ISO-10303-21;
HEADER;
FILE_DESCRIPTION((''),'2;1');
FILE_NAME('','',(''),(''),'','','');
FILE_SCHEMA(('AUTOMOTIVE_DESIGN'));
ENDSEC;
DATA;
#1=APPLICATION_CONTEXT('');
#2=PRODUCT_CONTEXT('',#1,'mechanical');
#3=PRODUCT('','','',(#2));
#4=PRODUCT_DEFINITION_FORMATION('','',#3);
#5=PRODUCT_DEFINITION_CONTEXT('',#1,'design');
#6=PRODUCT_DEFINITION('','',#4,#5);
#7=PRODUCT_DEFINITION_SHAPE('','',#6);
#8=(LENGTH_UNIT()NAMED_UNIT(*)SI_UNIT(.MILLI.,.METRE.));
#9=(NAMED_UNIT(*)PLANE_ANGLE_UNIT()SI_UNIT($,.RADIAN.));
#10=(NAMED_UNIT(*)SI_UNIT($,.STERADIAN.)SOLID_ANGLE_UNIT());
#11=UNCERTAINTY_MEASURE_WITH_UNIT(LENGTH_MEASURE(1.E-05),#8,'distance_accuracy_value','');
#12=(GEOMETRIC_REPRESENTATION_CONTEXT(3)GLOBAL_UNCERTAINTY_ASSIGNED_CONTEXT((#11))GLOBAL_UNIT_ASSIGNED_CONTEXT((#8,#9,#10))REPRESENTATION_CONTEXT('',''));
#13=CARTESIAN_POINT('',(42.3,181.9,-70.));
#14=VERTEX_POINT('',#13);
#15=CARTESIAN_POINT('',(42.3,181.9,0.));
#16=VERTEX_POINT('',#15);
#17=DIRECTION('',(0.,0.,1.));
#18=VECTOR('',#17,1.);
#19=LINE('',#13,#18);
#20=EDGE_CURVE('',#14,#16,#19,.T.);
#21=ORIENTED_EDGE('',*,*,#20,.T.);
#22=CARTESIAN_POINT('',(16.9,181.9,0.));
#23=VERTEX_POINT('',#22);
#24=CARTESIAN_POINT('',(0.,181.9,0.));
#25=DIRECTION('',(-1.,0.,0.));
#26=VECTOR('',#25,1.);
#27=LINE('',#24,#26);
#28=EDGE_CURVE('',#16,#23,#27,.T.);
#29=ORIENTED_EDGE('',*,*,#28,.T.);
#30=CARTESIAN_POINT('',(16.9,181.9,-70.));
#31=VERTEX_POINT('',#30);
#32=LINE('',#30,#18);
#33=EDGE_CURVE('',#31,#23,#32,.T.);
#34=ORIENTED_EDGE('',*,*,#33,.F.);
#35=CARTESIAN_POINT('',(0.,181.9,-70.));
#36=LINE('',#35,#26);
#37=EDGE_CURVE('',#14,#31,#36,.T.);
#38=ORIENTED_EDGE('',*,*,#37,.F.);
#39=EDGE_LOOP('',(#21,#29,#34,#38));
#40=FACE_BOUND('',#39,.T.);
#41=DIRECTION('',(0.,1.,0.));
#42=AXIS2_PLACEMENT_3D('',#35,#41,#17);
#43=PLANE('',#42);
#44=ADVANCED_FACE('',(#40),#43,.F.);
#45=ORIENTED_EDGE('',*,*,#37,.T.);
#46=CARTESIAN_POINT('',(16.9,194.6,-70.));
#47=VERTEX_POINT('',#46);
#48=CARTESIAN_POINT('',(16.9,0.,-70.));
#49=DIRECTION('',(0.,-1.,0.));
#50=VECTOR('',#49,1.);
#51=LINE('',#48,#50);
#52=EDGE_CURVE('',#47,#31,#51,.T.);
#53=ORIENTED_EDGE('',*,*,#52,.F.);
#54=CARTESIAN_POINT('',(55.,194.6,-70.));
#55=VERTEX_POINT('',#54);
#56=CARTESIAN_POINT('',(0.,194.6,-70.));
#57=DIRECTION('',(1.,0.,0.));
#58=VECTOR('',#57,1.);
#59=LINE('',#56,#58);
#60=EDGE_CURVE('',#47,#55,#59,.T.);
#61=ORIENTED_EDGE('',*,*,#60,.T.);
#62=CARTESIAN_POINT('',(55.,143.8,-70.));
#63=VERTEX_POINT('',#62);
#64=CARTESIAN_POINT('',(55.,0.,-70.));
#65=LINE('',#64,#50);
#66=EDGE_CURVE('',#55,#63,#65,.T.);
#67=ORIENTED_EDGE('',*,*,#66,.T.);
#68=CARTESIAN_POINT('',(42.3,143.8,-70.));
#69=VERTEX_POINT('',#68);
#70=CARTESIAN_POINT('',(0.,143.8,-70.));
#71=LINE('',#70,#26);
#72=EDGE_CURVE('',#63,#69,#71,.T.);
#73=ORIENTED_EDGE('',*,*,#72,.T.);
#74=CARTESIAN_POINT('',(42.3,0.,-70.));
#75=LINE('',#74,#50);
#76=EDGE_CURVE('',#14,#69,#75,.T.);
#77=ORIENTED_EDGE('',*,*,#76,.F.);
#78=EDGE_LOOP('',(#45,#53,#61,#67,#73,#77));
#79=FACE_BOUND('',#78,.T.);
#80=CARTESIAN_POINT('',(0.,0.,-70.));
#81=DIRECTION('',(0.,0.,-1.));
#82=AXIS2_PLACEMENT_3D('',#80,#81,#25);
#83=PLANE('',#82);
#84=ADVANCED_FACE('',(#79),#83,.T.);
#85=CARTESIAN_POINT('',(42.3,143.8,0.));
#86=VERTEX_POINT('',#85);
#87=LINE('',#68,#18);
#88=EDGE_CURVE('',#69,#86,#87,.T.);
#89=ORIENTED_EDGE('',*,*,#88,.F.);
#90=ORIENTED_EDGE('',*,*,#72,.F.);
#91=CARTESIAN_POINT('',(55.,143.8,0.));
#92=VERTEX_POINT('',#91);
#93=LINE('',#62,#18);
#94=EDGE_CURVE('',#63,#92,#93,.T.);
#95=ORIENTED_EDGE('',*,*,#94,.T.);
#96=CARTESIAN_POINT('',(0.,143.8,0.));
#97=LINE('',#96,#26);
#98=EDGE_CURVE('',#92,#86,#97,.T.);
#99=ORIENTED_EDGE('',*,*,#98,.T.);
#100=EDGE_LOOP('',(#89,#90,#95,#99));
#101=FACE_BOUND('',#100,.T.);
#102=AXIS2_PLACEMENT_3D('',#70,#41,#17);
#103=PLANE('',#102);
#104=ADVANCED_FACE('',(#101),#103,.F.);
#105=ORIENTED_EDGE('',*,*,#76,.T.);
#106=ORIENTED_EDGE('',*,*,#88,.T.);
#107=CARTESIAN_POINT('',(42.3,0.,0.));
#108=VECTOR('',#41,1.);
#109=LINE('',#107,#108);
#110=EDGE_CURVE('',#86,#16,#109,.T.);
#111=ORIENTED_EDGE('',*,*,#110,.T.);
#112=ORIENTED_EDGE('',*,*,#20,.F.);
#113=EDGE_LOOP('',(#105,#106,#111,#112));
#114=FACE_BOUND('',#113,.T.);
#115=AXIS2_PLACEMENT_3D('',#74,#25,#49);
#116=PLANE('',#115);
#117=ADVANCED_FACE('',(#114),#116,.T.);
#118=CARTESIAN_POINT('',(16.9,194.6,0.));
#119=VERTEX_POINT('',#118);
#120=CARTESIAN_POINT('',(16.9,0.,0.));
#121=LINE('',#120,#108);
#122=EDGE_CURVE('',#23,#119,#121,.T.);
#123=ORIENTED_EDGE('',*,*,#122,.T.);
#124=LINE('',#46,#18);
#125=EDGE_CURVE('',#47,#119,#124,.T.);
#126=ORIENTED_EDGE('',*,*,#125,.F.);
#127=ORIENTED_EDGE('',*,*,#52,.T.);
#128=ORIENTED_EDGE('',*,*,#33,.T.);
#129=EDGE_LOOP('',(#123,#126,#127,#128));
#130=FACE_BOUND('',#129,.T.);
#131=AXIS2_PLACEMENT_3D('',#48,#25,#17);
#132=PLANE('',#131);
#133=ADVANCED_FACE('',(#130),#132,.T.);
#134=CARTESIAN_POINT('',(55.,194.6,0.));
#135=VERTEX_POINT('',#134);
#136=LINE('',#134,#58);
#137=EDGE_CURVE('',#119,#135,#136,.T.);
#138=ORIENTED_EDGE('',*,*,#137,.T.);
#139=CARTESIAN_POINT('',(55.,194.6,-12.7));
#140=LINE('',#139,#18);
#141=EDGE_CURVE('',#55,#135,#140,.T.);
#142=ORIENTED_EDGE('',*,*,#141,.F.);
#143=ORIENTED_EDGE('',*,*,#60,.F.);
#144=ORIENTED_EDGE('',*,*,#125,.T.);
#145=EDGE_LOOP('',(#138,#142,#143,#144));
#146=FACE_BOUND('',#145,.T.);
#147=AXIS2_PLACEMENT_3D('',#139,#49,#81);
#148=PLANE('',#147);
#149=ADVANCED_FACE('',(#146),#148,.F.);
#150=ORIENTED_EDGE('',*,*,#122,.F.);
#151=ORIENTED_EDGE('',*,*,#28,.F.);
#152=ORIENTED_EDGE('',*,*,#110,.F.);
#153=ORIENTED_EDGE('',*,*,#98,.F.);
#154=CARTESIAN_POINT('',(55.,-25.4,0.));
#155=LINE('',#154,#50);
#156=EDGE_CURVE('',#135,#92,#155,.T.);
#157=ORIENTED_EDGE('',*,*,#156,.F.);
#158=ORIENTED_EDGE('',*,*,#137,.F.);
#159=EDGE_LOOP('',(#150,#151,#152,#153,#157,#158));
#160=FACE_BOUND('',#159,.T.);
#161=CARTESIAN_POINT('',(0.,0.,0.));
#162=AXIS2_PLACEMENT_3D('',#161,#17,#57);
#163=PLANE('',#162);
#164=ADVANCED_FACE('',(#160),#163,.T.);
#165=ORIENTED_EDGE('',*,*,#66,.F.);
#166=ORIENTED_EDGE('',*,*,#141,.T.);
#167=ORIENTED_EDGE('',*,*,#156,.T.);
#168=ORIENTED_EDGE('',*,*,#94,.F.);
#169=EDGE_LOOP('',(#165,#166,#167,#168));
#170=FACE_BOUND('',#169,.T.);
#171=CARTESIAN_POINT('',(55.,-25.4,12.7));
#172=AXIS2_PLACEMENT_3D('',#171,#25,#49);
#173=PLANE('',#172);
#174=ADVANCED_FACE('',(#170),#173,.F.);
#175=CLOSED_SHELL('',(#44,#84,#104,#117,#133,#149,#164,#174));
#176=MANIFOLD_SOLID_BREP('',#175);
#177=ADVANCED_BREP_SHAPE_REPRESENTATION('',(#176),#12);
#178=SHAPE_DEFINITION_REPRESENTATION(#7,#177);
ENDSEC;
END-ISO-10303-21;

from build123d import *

# Parameters (mm, degrees)
CROQUIS1_W              = 110
CROQUIS1_H              = 50.8
SALIENTE_EXTRUIR1_DEPTH = 12.7
CROQUIS2_W              = 50.8
CROQUIS2_H              = 220
SALIENTE_EXTRUIR2_DEPTH = 12.7
CROQUIS4_W              = 25.4
CROQUIS4_H              = 12.7
SALIENTE_EXTRUIR3_DEPTH = 57.3
CROQUIS5_W              = 50.8
CROQUIS5_H              = 50.8
CROQUIS5_W_2            = 59.2
CORTAR_EXTRUIR1_DEPTH   = 211.184323868


with BuildPart() as part:
    # Croquis1 → Saliente-Extruir1 (new body)
    with BuildSketch(Plane.XY):
        Rectangle(CROQUIS1_W, CROQUIS1_H)
    extrude(amount=SALIENTE_EXTRUIR1_DEPTH)

    # Croquis2 → Saliente-Extruir2 (add)
    with BuildSketch(Plane(origin=(0, 0, 0), x_dir=(-1, 0, 0), z_dir=(0, 0, -1))):
        with Locations((-29.6, 84.6)):
            Rectangle(CROQUIS2_W, CROQUIS2_H)
    extrude(amount=SALIENTE_EXTRUIR2_DEPTH)

    # Croquis4 → Saliente-Extruir3 (add)
    with BuildSketch(Plane(origin=(0, 0, -12.7), x_dir=(-1, 0, 0), z_dir=(0, 0, -1))):
        Polygon((-42.3, 194.6), (-55, 194.6), (-55, 143.8), (-42.3, 143.8), (-42.3, 181.9), align=None)
        with Locations((-29.6, 188.25)):
            Rectangle(CROQUIS4_W, CROQUIS4_H)
    extrude(amount=SALIENTE_EXTRUIR3_DEPTH)

    # Croquis5 → Cortar-Extruir1 (cut, through all)
    with BuildSketch(Plane(origin=(0, 0, -12.7), x_dir=(-1, 0, 0), z_dir=(0, 0, -1))):
        Polygon((-55, 143.8), (-55, 25.4), (-4.2, 25.4), (-4.2, 194.6), (-16.9, 194.6), (-16.9, 181.9), (-42.3, 181.9), (-42.3, 143.8), align=None)
        with Locations((-29.6, 0)):
            Rectangle(CROQUIS5_W, CROQUIS5_H)
        with Locations((25.4, 0)):
            Rectangle(CROQUIS5_W_2, CROQUIS5_H)
    extrude(amount=-CORTAR_EXTRUIR1_DEPTH, mode=Mode.SUBTRACT)


solid = part.part
